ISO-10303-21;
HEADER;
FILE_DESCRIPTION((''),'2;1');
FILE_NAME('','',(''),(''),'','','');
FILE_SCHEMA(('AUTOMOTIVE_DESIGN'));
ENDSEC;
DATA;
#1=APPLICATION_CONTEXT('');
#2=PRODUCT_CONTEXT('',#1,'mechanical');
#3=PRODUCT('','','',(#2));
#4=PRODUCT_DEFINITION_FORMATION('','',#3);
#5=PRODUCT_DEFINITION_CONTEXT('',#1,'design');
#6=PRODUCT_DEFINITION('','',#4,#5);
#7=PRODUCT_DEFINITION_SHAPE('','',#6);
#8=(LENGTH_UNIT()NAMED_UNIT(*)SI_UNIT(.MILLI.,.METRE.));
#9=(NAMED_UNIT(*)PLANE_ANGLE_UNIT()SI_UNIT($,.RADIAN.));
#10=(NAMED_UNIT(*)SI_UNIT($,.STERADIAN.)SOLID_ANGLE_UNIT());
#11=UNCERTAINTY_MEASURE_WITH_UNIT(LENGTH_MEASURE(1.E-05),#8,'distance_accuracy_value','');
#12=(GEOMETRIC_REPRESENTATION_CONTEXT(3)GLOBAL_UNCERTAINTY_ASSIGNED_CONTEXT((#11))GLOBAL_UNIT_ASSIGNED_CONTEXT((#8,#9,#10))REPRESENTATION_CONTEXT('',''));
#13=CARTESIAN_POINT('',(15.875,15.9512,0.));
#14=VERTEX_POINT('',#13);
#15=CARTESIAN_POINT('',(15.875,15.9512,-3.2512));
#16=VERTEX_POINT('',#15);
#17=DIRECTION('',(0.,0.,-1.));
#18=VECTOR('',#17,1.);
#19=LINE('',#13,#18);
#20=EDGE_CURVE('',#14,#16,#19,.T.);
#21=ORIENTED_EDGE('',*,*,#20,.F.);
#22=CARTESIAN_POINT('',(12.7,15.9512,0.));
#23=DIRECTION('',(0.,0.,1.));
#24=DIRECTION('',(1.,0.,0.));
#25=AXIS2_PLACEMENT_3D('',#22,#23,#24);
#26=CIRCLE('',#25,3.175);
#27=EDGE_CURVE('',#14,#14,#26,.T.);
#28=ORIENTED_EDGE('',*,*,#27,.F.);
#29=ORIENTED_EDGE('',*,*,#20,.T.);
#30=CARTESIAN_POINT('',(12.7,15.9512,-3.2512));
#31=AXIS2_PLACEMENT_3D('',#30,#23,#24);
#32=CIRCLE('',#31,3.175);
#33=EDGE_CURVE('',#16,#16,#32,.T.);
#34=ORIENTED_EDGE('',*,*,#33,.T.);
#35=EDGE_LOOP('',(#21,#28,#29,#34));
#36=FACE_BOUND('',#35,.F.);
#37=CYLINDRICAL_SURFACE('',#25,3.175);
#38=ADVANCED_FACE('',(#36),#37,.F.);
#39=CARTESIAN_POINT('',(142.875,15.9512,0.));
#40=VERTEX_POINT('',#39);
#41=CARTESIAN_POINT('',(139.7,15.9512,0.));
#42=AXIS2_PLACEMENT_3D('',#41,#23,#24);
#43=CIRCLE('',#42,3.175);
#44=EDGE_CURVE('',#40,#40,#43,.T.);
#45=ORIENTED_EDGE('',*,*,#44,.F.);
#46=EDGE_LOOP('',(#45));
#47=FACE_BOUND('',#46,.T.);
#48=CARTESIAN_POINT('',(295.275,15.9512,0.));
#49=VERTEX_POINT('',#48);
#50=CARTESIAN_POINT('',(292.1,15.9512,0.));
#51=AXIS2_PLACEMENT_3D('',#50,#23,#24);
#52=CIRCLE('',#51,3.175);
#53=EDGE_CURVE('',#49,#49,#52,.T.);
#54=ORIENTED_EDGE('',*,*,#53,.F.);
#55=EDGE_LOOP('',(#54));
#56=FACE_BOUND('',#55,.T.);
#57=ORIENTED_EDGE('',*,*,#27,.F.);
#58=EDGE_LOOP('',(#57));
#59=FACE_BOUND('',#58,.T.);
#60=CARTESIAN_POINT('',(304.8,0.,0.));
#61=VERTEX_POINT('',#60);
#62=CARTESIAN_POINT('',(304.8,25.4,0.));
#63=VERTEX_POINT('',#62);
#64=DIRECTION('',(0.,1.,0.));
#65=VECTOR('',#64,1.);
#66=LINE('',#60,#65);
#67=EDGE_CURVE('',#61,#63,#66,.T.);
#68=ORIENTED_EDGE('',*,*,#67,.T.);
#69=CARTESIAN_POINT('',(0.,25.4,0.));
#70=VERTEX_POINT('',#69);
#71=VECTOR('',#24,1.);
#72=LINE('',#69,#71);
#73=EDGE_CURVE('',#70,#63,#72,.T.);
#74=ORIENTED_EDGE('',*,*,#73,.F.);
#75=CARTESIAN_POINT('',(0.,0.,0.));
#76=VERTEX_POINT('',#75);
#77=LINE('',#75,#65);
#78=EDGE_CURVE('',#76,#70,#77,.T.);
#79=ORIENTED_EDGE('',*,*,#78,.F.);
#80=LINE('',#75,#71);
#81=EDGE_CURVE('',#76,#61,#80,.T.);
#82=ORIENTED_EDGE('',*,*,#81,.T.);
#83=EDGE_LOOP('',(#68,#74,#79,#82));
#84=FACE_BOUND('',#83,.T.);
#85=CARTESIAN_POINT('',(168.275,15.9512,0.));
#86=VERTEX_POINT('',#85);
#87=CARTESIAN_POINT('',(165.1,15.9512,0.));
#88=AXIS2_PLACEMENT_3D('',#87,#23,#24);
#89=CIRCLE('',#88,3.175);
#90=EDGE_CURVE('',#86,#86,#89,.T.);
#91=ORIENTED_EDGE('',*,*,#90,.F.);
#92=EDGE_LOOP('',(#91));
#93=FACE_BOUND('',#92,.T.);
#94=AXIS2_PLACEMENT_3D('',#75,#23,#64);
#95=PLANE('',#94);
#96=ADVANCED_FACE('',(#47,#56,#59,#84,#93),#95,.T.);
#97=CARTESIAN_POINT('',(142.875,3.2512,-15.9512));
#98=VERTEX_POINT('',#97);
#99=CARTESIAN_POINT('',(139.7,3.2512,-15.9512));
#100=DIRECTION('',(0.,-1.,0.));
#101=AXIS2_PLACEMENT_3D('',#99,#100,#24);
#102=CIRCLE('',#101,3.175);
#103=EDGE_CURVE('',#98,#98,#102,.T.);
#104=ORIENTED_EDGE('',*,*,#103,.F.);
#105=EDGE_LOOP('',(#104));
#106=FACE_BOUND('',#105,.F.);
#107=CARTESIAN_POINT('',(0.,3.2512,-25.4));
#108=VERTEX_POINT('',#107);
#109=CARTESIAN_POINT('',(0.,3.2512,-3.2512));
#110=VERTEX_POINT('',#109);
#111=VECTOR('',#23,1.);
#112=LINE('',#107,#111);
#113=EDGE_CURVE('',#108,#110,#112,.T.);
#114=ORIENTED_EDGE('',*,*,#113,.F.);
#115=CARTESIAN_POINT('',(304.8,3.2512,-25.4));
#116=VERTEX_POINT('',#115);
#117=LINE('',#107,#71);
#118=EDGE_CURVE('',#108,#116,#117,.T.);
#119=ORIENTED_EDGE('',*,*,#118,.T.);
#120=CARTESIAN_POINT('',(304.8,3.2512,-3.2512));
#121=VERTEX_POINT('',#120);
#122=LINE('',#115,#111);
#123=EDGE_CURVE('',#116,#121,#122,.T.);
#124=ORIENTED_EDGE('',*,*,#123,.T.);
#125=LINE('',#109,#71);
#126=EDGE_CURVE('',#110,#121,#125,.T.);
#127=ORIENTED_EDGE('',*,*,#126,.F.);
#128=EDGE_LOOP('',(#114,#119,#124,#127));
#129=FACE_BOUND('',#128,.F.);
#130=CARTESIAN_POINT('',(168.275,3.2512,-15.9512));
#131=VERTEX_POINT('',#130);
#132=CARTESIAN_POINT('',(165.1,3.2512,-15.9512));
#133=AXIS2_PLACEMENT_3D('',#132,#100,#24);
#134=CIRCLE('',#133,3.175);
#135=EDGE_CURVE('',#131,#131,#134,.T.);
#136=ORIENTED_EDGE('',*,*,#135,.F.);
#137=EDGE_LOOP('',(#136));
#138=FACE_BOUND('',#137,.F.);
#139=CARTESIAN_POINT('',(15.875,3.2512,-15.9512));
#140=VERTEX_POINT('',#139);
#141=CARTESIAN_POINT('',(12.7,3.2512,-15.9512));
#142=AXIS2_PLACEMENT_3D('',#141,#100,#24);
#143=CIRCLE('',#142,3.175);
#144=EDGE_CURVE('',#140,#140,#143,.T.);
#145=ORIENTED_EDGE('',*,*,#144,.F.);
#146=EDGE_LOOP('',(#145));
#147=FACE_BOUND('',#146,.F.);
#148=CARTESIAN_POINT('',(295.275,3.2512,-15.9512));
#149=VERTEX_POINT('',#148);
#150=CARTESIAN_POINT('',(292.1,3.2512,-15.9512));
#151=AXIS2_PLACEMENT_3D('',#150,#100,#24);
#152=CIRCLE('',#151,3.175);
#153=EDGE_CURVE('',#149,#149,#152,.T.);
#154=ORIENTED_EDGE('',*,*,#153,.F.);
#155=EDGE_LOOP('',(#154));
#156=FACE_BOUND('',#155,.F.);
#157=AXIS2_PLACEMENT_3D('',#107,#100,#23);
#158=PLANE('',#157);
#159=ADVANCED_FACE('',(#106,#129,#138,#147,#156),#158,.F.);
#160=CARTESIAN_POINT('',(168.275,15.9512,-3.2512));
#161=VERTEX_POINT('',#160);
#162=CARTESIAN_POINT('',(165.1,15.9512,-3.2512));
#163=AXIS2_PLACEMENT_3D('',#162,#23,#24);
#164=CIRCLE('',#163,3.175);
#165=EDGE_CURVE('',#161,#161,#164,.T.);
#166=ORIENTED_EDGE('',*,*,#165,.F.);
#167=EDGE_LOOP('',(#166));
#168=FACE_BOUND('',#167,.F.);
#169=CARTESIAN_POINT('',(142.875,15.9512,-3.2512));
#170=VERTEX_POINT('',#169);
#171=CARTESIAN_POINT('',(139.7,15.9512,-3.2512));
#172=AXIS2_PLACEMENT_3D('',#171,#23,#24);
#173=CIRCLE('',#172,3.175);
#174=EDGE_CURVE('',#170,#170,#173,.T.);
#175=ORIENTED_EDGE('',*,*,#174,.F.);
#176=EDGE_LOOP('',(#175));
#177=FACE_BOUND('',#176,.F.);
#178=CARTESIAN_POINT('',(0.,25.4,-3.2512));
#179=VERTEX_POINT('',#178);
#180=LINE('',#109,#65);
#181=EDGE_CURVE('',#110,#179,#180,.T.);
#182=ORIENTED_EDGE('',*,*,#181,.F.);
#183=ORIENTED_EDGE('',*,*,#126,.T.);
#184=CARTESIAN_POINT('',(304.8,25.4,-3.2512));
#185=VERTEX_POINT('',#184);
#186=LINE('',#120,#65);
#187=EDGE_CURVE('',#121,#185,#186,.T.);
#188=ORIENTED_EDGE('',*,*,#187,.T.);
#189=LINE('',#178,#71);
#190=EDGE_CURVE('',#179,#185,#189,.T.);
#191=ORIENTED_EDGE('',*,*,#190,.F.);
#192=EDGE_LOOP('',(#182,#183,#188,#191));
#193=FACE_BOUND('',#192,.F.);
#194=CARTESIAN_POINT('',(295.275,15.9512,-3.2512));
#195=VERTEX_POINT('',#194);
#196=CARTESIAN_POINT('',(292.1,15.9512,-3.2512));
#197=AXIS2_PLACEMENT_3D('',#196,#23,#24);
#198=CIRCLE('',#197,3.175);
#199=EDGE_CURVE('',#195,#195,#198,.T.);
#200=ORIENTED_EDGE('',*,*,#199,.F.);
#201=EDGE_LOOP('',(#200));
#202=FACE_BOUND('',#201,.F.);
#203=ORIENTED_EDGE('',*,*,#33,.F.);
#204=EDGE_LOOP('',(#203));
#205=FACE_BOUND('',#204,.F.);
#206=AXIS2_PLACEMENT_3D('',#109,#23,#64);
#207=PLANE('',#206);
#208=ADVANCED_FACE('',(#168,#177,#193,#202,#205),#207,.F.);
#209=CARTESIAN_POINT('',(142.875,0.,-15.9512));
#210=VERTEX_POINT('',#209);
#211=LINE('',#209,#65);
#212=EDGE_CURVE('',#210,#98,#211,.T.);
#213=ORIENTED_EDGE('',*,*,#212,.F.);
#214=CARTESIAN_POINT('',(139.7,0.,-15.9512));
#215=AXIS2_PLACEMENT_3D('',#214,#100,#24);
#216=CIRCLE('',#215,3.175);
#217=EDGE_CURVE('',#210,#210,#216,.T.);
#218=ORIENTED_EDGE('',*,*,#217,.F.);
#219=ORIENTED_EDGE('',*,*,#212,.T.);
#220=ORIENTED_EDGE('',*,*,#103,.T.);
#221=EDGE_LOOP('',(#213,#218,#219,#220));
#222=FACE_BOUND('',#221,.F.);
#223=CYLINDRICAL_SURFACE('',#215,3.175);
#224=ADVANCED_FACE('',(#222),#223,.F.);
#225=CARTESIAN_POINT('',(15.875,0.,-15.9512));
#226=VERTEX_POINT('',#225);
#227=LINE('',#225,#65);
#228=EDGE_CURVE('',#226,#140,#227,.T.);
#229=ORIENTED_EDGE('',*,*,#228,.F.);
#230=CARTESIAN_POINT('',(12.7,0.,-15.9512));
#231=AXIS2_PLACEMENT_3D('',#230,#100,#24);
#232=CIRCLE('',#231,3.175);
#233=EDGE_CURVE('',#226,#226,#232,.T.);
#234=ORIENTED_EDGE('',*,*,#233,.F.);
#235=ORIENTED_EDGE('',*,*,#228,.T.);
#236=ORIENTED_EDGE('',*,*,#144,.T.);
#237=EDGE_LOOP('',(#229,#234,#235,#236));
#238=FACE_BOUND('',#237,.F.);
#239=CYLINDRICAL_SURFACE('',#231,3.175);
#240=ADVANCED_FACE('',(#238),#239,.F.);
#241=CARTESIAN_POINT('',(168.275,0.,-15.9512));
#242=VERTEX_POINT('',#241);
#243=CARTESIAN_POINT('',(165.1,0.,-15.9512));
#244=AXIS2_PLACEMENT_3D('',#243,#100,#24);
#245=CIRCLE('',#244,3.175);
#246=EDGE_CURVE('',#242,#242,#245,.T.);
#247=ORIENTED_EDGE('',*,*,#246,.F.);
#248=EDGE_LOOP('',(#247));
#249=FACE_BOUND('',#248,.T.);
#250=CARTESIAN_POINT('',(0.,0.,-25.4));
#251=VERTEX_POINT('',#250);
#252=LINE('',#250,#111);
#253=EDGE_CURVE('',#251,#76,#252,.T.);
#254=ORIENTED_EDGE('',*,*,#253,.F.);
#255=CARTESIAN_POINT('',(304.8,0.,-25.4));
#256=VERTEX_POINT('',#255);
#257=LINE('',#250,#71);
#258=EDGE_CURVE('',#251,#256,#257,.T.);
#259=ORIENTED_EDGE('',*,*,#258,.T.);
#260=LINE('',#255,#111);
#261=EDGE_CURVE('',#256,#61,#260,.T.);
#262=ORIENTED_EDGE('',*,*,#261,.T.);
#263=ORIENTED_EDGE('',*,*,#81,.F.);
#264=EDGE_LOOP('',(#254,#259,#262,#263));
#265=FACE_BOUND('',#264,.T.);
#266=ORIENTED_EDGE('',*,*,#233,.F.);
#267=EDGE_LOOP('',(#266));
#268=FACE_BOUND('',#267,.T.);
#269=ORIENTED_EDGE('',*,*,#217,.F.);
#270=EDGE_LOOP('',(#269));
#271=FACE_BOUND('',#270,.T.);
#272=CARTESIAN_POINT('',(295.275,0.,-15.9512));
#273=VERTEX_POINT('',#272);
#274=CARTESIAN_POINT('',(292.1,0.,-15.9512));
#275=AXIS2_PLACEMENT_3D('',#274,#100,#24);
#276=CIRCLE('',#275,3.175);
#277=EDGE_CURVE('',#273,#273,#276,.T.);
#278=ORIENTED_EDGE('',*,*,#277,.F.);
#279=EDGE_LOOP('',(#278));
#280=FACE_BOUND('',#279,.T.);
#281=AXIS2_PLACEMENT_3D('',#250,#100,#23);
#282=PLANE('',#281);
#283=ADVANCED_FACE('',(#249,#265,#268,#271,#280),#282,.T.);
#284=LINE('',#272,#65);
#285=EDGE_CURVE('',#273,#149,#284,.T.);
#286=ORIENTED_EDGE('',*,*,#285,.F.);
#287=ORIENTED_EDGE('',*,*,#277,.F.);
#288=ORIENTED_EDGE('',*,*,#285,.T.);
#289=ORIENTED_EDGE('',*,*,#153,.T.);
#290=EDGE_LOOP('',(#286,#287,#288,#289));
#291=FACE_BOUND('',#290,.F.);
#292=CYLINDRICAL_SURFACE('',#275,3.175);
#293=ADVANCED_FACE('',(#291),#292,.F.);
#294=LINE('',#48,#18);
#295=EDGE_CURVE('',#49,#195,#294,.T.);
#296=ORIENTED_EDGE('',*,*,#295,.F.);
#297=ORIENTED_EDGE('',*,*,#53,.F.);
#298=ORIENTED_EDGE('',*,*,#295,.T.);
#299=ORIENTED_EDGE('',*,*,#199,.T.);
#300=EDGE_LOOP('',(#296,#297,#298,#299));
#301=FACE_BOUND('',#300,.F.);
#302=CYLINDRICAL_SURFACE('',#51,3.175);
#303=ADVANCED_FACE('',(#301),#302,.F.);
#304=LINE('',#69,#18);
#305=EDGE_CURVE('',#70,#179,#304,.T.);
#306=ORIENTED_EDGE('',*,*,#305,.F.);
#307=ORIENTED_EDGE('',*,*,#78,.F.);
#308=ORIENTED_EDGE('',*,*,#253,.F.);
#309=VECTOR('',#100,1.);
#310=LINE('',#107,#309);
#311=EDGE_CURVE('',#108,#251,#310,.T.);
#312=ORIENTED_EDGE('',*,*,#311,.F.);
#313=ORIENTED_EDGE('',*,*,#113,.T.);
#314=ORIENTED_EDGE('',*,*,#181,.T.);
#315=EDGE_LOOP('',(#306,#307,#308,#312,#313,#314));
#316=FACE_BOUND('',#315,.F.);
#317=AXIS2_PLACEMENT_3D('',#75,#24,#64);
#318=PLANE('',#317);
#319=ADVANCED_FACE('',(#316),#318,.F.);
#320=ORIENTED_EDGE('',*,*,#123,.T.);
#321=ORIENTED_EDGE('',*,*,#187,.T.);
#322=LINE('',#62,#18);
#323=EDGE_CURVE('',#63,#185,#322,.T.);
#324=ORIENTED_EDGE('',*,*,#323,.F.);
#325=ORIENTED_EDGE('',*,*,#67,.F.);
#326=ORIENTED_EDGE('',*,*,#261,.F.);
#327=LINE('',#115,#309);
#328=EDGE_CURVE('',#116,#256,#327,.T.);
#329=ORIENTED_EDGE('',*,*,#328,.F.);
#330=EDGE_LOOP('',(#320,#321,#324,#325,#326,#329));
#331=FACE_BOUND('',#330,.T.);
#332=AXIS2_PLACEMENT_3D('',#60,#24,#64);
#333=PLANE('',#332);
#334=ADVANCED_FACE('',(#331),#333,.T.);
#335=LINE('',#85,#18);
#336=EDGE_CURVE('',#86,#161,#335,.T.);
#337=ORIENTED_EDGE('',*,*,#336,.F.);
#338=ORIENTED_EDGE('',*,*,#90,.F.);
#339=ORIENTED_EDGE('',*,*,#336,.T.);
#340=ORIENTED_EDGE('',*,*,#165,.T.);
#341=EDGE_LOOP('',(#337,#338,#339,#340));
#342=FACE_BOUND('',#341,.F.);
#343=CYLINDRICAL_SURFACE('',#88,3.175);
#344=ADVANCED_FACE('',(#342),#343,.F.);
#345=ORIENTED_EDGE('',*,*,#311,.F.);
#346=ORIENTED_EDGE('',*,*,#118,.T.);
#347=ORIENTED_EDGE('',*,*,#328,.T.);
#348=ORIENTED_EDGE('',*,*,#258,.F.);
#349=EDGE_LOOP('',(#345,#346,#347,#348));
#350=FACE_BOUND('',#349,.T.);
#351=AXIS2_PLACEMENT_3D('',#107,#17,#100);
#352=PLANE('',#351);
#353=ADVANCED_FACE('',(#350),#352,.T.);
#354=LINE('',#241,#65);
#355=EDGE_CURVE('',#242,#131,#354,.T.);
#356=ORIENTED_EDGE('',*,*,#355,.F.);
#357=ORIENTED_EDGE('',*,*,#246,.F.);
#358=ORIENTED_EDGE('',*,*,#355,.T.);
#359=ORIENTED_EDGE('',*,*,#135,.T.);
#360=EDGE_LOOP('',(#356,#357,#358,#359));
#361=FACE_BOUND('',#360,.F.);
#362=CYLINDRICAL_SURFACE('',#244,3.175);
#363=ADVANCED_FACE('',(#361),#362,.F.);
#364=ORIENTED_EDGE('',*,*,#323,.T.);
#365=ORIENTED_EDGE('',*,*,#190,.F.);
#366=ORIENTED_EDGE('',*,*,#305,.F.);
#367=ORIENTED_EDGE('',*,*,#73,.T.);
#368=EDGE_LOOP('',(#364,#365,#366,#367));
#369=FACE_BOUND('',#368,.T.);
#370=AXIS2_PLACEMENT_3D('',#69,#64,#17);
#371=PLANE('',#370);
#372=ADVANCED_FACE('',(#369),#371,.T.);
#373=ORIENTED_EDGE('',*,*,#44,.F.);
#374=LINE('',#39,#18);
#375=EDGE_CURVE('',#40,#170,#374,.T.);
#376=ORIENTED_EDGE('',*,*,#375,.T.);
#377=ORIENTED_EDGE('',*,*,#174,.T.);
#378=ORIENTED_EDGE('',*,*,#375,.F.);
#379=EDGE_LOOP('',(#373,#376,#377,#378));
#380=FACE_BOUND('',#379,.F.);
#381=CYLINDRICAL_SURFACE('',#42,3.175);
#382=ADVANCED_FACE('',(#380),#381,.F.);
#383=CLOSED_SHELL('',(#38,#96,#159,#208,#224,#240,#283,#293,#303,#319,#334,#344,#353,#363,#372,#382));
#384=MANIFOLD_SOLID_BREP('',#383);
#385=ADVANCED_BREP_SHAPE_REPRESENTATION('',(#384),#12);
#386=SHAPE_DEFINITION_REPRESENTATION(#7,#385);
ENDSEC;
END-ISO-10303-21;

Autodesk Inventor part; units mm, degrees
ref_plane "YZ Plane" through (0, 0, 0) normal (1, 0, 0) x (0, 1, 0)
ref_plane "XZ Plane" through (0, 0, 0) normal (0, 1, 0) x (-1, 0, 0)
ref_plane "XY Plane" through (0, 0, 0) normal (0, 0, 1) x (1, 0, 0)
sketch "Sketch1" plane through (0, 0, 0) normal (1, 0, 0) x (0, 1, 0)
  line L0 (0, 0) -> (25.4, 0)
  line L1 (3.2512, -25.4) -> (0, -25.4)
  line L2 (0, -25.4) -> (0, 0)
  line L3 (3.2512, -3.2512) -> (25.4, -3.2512)
  line L4 (3.2512, -25.4) -> (3.2512, -3.2512)
  line L5 (25.4, 0) -> (25.4, -3.2512)
  dimension "d0" = 25.4
  dimension "d1" = 3.2512
extrude "Extrusion1" add sketch "Sketch1" along normal blind 304.8
sketch "Sketch2" plane through (0, 0, -25.4) normal (0, -1, 0) x (1, 0, 0)
  line L0 (0, 9.4488) -> (110.0411, 9.4488) construction
  line L1 (0, 25.4) -> (304.8, 25.4) projected
  circle A0 centre (12.7, 9.4488) radius 3.175
  circle A1 centre (139.7, 9.4488) radius 3.175
  line L2 (0, 0) -> (0, 25.4) projected
  line L3 (0, 0) -> (304.8, 0) projected
  line L4 (152.4, 25.4) -> (152.4, 0)
  circle A2 centre (292.1, 9.4488) radius 3.175
  circle A3 centre (165.1, 9.4488) radius 3.175
  dimension "d4" = 15.9512
  dimension "d5" = 6.35
  dimension "d6" = 12.7
  dimension "d7" = 139.7
extrude "Extrusion2" cut sketch "Sketch2" against normal blind 304.8 contours A0 | A1 | A2 | A3
sketch "Sketch3" plane through (0, 0, 0) normal (0, 0, 1) x (1, 0, 0)
  line L0 (0, 0) -> (0, 25.4) projected
  line L1 (0, 15.9512) -> (148.4119, 15.9512) construction
  line L2 (0, 0) -> (304.8, 0) projected
  circle A0 centre (12.7, 15.9512) radius 3.175
  circle A1 centre (139.7, 15.9512) radius 3.175
  line L3 (152.4, 0) -> (152.4, 21.95) construction
  circle A2 centre (292.1, 15.9512) radius 3.175
  circle A3 centre (165.1, 15.9512) radius 3.175
  dimension "d10" = 15.9512
  dimension "d11" = 6.35
  dimension "d12" = 12.7
  dimension "d13" = 139.7
extrude "Extrusion3" cut sketch "Sketch3" against normal blind 304.8
properties part number "Middle short L"
